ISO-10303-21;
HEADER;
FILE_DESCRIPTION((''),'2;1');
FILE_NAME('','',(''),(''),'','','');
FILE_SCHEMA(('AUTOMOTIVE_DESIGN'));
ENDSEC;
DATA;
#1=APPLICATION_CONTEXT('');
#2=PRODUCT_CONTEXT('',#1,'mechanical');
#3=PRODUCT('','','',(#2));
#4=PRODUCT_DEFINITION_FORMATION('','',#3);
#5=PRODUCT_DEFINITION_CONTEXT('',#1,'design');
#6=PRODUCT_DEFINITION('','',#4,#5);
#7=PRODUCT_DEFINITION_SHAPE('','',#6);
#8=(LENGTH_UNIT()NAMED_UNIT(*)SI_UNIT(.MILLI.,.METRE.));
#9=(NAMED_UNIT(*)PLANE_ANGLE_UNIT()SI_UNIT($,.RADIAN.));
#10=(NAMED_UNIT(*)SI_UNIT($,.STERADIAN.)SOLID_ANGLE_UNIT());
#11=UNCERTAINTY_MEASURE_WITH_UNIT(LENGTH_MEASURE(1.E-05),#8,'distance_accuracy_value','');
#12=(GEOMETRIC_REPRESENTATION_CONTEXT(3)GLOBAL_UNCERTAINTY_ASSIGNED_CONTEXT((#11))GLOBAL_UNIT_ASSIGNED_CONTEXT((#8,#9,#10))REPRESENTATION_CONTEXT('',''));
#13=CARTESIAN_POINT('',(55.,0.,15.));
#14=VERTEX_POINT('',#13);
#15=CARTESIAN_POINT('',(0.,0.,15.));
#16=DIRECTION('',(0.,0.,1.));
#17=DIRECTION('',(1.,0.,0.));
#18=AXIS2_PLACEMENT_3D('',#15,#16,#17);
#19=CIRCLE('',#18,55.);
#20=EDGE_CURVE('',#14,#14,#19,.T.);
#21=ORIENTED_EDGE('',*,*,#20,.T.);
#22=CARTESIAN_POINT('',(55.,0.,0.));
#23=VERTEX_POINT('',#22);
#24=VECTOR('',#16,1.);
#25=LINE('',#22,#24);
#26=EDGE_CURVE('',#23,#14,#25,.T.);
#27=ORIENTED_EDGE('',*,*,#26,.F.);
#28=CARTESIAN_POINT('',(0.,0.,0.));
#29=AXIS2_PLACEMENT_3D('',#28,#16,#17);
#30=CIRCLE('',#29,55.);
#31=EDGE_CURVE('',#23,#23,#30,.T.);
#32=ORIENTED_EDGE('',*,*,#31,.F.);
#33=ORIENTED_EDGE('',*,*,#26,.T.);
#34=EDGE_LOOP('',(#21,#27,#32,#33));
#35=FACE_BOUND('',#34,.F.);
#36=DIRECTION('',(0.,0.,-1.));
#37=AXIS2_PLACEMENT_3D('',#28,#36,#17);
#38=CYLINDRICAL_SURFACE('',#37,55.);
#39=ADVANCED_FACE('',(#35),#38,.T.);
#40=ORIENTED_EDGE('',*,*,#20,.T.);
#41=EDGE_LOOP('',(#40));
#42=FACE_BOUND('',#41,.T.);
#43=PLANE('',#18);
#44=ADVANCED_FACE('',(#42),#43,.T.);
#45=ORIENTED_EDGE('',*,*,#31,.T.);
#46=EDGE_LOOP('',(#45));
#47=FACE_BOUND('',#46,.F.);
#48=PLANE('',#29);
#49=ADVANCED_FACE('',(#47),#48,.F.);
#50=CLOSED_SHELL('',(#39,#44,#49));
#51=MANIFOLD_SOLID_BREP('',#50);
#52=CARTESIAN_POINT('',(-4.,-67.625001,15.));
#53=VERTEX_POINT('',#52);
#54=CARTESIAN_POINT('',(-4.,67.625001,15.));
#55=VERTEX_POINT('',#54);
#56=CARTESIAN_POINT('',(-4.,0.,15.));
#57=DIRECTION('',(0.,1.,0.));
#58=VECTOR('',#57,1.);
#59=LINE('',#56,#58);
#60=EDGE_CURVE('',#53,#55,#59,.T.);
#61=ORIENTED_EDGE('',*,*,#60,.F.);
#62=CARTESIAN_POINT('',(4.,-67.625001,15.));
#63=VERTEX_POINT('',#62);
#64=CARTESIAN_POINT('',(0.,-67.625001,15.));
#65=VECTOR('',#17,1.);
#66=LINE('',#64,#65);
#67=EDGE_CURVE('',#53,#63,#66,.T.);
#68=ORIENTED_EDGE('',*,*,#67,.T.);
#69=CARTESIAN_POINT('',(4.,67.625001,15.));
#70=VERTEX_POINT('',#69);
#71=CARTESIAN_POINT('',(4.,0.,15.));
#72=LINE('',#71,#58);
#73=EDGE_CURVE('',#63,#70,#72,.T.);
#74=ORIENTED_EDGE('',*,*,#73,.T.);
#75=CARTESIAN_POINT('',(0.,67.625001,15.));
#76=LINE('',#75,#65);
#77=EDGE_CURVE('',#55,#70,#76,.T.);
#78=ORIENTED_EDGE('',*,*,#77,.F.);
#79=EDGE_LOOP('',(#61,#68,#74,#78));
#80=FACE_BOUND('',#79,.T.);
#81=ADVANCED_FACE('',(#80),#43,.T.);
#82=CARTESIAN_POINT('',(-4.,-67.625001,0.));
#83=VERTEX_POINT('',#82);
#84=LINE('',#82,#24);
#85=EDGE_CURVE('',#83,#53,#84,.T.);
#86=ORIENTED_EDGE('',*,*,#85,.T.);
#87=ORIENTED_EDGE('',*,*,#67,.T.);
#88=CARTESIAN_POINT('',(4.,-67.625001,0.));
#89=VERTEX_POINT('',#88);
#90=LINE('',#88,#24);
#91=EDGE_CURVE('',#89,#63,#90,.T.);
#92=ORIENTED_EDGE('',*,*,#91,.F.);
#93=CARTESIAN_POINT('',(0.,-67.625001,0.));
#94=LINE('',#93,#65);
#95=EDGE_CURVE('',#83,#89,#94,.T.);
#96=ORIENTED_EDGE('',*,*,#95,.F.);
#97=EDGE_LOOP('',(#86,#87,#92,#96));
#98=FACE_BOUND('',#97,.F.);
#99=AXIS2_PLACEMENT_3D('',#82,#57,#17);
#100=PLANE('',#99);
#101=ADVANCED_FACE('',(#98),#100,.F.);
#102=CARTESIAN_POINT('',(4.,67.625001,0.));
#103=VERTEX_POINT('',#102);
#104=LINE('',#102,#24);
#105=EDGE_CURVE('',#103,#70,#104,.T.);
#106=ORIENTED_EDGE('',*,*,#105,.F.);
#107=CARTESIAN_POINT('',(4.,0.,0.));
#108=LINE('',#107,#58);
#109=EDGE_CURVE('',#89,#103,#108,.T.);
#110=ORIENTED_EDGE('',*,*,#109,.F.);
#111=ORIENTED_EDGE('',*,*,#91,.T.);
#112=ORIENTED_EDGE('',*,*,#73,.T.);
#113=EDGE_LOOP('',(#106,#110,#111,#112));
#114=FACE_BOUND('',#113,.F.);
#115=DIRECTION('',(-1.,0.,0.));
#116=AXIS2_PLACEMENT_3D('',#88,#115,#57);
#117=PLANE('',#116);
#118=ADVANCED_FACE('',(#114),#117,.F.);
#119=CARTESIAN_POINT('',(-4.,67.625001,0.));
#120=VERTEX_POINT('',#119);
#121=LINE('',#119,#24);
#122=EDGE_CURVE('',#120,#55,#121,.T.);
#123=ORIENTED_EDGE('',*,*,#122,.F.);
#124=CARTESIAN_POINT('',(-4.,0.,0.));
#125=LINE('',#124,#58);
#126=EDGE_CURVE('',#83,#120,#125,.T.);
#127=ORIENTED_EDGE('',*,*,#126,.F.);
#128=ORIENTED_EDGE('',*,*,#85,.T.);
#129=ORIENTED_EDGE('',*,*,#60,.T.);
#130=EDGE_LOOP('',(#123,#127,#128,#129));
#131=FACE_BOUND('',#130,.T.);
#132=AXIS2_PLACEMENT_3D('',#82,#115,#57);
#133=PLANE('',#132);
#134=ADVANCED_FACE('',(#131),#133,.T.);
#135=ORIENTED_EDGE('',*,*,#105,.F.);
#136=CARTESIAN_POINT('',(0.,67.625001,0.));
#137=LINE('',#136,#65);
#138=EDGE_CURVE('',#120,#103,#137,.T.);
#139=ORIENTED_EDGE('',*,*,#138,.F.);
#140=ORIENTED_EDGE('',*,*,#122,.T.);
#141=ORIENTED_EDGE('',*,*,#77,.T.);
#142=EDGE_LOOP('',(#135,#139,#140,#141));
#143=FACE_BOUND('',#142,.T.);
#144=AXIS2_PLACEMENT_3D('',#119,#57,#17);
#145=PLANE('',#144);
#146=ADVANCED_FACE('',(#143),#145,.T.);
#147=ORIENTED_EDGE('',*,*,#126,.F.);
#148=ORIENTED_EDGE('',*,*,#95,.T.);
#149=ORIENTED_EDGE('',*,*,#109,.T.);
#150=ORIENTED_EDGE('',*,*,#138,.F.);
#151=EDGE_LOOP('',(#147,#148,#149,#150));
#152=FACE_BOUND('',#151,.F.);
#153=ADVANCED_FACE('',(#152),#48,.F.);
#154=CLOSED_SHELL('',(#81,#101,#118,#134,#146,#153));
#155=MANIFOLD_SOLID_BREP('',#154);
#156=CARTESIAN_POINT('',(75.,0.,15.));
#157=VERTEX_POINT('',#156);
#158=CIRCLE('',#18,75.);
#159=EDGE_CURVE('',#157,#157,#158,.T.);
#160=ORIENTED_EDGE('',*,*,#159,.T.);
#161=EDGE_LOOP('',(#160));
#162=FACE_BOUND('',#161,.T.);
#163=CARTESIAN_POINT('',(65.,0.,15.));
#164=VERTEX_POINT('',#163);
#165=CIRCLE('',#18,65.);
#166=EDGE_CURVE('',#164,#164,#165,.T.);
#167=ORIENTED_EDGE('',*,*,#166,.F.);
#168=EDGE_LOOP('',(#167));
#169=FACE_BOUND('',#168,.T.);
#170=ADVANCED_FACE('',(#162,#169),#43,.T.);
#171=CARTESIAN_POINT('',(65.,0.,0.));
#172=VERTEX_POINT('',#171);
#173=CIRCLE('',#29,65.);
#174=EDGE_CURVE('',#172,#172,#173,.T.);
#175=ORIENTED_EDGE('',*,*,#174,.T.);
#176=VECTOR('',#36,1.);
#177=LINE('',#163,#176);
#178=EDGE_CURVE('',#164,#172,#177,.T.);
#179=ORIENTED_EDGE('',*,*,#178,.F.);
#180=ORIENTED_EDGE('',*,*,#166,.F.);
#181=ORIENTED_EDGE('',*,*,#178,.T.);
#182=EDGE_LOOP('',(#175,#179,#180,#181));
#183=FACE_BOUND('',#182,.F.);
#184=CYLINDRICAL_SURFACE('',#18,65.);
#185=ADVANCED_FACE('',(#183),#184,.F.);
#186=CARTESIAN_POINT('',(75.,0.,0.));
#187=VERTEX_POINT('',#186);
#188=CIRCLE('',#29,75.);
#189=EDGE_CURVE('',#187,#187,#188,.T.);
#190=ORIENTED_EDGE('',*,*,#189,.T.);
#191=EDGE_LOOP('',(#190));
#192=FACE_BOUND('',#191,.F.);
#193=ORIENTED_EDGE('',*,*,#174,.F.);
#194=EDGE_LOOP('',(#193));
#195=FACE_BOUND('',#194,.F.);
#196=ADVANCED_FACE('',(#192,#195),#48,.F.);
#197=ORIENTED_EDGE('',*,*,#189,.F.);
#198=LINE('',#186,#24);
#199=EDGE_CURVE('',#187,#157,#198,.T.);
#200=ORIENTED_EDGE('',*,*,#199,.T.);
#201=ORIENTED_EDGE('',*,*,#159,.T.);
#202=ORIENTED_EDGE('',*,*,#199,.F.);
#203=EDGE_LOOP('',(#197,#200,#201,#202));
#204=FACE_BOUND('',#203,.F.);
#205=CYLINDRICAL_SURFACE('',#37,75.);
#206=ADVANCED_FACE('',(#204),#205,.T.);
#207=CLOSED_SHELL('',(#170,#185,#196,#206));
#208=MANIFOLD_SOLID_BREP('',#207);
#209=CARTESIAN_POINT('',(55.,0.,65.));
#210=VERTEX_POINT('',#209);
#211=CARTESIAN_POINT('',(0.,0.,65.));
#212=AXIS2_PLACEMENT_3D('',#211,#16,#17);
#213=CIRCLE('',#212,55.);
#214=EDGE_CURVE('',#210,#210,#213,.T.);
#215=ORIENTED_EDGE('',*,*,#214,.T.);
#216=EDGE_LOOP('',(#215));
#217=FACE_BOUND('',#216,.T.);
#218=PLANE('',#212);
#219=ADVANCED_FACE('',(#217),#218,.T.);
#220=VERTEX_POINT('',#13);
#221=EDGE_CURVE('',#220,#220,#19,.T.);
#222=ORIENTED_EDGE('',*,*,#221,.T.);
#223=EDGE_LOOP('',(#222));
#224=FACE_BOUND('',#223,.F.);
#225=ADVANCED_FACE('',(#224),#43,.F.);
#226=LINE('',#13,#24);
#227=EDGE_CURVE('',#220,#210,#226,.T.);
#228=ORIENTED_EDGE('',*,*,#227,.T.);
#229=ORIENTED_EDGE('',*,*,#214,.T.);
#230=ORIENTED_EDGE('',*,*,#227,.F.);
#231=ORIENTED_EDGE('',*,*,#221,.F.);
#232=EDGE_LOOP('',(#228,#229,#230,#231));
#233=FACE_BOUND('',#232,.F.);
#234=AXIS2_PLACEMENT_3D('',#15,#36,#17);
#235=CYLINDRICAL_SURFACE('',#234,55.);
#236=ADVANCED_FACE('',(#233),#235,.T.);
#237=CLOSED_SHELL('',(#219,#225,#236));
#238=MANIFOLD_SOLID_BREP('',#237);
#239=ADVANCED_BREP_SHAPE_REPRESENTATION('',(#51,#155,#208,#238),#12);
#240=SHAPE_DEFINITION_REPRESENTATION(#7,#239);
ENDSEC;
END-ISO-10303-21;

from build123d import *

# Parameters (mm, degrees)
F0_R     = 75
F1_DEPTH = 15
F2_R     = 65
F3_DEPTH = 21.3
F4_R     = 55
F5_DEPTH = 15
F6_W     = 8
F6_H     = 135.2500021458
F7_DEPTH = 15
F8_DEPTH = 50


with BuildPart() as f1:
    # F0 (on Top) → F1 (new body)
    with BuildSketch(Plane.XY):
        Circle(F0_R)
    extrude(amount=F1_DEPTH)

    # F2 (on face) → F3 (cut)
    with BuildSketch(Plane.XY.offset(15)):
        Circle(F2_R)
    extrude(amount=-F3_DEPTH, mode=Mode.SUBTRACT)


with BuildPart() as f5:
    # F4 (on Top) → F5 (new body)
    with BuildSketch(Plane.XY):
        Circle(F4_R)
    extrude(amount=F5_DEPTH)


with BuildPart() as f7:
    # F6 (on Top) → F7 (new body)
    with BuildSketch(Plane.XY):
        Rectangle(F6_W, F6_H)
    extrude(amount=F7_DEPTH)


with BuildPart() as f8:
    # F8 (new): a face of the model
    f8_faces = [f5.part.faces().sort_by_distance(p)[0] for p in [
        (0, 0, 15),
    ]]
    extrude(f8_faces, amount=F8_DEPTH)


solid = Compound([f1.part, f5.part, f7.part, f8.part])
